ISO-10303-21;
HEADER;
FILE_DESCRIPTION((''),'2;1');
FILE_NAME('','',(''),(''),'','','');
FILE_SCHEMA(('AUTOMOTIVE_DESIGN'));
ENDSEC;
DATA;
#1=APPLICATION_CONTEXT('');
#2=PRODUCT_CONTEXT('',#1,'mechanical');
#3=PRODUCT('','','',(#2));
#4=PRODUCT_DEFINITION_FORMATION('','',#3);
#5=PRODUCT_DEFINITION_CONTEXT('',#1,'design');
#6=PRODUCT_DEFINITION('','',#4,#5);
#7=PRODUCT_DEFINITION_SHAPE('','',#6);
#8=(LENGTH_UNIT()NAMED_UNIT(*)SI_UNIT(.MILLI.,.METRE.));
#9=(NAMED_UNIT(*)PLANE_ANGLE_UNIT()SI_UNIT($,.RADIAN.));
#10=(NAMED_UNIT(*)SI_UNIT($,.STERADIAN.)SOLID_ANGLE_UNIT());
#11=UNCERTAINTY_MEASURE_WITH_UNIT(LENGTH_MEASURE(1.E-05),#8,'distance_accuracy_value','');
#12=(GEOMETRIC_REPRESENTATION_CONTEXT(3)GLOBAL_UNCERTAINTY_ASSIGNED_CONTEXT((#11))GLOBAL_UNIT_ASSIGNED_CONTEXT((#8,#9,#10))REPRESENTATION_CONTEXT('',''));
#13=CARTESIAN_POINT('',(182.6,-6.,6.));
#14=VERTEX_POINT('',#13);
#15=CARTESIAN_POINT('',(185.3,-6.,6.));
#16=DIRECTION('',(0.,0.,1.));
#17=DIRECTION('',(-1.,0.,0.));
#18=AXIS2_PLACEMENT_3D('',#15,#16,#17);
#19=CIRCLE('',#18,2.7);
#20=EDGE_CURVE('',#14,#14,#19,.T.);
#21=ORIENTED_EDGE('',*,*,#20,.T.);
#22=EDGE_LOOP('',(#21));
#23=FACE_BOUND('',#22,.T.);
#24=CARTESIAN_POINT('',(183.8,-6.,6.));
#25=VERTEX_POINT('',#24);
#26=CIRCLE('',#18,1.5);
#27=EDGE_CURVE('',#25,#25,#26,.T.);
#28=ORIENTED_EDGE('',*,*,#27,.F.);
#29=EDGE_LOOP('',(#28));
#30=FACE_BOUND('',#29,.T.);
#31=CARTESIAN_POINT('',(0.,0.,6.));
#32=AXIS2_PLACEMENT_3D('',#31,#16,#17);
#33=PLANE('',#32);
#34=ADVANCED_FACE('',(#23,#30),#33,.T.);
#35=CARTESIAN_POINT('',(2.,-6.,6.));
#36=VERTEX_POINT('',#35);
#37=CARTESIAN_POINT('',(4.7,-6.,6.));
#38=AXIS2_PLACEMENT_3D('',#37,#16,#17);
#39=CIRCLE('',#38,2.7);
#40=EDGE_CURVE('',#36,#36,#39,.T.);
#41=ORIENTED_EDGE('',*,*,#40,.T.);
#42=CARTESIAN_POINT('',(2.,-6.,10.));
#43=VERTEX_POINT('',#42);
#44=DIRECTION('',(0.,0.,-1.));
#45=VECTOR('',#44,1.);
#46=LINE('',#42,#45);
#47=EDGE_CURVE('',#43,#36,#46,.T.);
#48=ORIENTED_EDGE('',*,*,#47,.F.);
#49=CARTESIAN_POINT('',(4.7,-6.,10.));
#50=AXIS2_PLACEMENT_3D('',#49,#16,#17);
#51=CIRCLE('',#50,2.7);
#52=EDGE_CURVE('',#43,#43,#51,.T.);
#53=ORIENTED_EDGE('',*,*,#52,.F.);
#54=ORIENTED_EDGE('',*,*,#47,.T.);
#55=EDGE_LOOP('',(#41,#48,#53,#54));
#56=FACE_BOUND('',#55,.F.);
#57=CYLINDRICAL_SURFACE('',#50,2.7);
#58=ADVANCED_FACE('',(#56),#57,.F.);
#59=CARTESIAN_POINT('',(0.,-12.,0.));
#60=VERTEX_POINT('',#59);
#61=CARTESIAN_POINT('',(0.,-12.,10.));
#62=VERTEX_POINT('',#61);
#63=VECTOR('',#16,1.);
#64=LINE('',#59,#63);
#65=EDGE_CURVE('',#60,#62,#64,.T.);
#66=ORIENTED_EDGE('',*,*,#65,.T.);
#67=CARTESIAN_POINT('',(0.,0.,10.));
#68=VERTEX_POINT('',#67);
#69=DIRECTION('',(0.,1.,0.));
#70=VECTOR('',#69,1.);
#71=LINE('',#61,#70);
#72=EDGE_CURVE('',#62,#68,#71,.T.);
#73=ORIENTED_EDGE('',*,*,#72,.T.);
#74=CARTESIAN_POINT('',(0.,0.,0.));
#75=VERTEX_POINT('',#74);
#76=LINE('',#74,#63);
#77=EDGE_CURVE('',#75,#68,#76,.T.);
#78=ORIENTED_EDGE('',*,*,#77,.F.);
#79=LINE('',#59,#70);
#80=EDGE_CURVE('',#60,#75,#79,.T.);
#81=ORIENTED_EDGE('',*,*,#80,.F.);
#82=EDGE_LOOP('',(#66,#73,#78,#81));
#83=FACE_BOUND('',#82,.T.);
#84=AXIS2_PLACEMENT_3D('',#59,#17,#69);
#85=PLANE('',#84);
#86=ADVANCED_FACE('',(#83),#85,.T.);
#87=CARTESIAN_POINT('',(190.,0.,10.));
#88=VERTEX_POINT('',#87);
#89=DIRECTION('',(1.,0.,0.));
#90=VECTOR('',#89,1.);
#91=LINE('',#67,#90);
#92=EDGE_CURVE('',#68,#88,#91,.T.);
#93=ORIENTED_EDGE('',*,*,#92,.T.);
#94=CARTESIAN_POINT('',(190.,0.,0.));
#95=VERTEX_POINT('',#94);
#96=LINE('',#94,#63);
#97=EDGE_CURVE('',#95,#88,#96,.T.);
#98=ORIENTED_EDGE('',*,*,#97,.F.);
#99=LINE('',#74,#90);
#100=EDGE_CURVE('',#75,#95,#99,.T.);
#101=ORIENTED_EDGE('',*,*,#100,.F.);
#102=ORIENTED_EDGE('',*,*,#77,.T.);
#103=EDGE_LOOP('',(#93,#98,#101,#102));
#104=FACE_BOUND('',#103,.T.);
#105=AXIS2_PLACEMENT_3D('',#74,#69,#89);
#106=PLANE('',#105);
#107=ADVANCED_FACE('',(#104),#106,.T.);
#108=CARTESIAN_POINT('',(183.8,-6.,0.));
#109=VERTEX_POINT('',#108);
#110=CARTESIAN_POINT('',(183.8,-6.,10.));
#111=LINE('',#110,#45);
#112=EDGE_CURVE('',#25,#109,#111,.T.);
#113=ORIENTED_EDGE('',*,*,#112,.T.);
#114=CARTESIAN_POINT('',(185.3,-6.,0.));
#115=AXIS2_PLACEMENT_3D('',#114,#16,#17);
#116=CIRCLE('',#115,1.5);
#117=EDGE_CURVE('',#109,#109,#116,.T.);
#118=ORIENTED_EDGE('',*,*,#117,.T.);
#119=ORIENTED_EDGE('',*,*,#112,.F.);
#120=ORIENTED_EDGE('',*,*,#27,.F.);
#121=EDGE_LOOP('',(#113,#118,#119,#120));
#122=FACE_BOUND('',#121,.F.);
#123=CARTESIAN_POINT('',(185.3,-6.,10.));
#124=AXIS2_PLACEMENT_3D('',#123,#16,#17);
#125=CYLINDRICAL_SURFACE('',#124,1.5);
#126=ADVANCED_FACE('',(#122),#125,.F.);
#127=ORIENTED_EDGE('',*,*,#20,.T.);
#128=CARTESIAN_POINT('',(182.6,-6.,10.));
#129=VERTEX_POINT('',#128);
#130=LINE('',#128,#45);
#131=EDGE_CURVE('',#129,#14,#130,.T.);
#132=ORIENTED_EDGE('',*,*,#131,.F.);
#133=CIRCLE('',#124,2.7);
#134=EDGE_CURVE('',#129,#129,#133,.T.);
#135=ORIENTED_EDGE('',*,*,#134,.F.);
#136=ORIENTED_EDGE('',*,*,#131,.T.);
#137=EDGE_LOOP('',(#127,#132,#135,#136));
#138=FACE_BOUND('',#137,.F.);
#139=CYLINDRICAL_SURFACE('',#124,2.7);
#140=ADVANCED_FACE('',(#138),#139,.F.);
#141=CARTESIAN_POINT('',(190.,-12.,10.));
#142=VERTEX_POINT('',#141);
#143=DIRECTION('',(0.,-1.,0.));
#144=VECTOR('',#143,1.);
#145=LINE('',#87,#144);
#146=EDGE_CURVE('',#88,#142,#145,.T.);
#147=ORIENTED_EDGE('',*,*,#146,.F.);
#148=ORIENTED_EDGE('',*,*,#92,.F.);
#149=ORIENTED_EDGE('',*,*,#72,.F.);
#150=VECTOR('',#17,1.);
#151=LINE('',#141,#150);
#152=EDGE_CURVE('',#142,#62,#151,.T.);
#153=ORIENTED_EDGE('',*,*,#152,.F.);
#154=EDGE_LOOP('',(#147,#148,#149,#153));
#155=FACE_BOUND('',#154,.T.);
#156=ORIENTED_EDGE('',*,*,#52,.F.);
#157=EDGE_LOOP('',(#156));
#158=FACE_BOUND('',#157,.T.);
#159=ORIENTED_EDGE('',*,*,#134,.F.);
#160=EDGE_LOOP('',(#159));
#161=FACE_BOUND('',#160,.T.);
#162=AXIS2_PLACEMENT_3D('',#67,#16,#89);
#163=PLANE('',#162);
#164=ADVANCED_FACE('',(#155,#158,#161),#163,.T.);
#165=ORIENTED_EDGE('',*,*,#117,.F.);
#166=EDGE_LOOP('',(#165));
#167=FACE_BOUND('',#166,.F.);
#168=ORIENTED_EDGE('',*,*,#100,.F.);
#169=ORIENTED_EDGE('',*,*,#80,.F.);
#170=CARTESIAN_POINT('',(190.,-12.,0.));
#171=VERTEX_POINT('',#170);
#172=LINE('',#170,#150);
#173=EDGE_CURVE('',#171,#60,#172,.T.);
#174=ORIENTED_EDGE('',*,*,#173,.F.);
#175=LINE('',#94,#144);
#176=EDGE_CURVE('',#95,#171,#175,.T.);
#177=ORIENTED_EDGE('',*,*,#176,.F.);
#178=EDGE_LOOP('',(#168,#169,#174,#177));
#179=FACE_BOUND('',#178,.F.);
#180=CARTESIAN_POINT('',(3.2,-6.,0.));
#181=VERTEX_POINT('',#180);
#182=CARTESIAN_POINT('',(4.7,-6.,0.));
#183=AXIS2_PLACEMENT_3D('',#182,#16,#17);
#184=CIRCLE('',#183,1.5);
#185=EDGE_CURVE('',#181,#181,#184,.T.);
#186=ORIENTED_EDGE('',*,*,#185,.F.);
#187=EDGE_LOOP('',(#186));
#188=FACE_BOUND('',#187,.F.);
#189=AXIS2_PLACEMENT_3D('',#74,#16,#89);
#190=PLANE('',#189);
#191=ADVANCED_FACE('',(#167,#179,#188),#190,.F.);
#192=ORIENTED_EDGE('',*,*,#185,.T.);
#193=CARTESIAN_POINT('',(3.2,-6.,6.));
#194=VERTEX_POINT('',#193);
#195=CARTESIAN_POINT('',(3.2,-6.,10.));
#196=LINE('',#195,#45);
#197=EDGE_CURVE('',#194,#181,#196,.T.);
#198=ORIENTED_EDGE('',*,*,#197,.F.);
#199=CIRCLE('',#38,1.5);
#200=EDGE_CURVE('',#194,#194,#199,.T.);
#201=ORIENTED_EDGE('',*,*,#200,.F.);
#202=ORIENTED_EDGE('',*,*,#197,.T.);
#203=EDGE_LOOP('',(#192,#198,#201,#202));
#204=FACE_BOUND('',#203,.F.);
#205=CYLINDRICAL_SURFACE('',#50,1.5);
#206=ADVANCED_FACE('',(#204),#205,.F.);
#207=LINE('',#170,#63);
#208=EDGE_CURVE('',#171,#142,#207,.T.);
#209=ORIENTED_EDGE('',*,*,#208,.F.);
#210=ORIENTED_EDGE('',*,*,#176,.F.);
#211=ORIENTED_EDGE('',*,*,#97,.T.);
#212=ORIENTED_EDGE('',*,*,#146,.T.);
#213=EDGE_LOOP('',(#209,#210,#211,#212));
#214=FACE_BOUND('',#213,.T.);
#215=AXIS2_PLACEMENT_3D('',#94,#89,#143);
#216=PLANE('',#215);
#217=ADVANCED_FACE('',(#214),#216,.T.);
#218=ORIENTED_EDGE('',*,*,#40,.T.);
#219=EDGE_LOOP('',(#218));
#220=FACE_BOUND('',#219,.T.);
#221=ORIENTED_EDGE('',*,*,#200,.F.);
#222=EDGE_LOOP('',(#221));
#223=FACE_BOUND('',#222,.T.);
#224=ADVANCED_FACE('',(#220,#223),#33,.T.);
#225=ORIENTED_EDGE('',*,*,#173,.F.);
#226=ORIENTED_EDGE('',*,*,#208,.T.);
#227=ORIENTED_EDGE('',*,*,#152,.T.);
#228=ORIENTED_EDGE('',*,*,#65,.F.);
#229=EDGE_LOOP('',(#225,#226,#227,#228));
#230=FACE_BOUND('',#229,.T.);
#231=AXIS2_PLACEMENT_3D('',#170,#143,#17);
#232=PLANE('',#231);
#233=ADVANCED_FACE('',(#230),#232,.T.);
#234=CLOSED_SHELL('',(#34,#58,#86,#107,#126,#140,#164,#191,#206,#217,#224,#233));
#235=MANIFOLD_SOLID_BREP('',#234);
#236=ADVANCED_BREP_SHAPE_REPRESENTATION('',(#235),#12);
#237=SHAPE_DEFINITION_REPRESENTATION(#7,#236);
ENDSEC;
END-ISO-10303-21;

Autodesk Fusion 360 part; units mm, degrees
sketch "Sketch1" plane through (0, 0, 0) normal (0, 0, 1) x (1, 0, 0)
  line L0 (0, 0) -> (190, 0)
  line L1 (190, 0) -> (190, -12)
  line L2 (190, -12) -> (0, -12)
  line L3 (0, -12) -> (0, 0)
  dimension "d16" = 190
  dimension "d17" = 12
extrude "Extrude1" add sketch "Sketch1" along normal blind 10
sketch "Sketch6" plane through (0, 0, 10) normal (0, 0, 1) x (-1, 0, 0)
  line L0 (0, 12) -> (-190, 12)
  line L1 (-190, 12) -> (-190, 0)
  line L2 (-190, 0) -> (0, 0)
  line L3 (0, 0) -> (0, 12)
  circle A0 centre (-4.7, 6) radius 1.5
  circle A1 centre (-4.7, 6) radius 2.7
  circle A2 centre (-185.3, 6) radius 1.5
  circle A3 centre (-185.3, 6) radius 2.7
  line L4 (0, 12) -> (0, 0)
  line L5 (0, 0) -> (-190, 0)
  line L6 (-190, 0) -> (-190, 12)
  dimension "d65" = 3
  dimension "d66" = 1.2
  dimension "d67" = 3
  dimension "d68" = 1.2
  dimension "d69" = 4.7
  dimension "d70" = 6
  dimension "d71" = 4.7
  dimension "d72" = 6
extrude "Extrude9" cut sketch "Sketch6" against normal blind 100 contours A2
extrude "Extrude10" cut sketch "Sketch6" against normal blind 4 contours A3
extrude "Extrude11" cut sketch "Sketch6" against normal blind 100 contours A0
extrude "Extrude12" cut sketch "Sketch6" against normal blind 4 contours A1
equation "length = 190 mm"
equation "height = 10 mm"
equation "width = 12 mm"
equation "d16 = length"
equation "d17 = width"
equation "d18 = height"
equation "extra = 100 mm"
equation "bearing_outer_radius = 2.7 mm"
equation "bearing_width = 4 mm"
equation "bearing_big_distance = 2 mm + bearing_outer_radius"
equation "bearing_small_distance = width / 2"
equation "bearing_inner_radius = 1.5 mm"
equation "d65 = bearing_inner_radius * 2"
equation "d66 = bearing_outer_radius - bearing_inner_radius"
equation "d67 = bearing_inner_radius * 2"
equation "d68 = bearing_outer_radius - bearing_inner_radius"
equation "d69 = bearing_big_distance"
equation "d70 = bearing_small_distance"
equation "d71 = bearing_big_distance"
equation "d72 = bearing_small_distance"
equation "d73 = -extra"
equation "d75 = -bearing_width"
equation "d77 = -extra"
equation "d79 = -bearing_width"
